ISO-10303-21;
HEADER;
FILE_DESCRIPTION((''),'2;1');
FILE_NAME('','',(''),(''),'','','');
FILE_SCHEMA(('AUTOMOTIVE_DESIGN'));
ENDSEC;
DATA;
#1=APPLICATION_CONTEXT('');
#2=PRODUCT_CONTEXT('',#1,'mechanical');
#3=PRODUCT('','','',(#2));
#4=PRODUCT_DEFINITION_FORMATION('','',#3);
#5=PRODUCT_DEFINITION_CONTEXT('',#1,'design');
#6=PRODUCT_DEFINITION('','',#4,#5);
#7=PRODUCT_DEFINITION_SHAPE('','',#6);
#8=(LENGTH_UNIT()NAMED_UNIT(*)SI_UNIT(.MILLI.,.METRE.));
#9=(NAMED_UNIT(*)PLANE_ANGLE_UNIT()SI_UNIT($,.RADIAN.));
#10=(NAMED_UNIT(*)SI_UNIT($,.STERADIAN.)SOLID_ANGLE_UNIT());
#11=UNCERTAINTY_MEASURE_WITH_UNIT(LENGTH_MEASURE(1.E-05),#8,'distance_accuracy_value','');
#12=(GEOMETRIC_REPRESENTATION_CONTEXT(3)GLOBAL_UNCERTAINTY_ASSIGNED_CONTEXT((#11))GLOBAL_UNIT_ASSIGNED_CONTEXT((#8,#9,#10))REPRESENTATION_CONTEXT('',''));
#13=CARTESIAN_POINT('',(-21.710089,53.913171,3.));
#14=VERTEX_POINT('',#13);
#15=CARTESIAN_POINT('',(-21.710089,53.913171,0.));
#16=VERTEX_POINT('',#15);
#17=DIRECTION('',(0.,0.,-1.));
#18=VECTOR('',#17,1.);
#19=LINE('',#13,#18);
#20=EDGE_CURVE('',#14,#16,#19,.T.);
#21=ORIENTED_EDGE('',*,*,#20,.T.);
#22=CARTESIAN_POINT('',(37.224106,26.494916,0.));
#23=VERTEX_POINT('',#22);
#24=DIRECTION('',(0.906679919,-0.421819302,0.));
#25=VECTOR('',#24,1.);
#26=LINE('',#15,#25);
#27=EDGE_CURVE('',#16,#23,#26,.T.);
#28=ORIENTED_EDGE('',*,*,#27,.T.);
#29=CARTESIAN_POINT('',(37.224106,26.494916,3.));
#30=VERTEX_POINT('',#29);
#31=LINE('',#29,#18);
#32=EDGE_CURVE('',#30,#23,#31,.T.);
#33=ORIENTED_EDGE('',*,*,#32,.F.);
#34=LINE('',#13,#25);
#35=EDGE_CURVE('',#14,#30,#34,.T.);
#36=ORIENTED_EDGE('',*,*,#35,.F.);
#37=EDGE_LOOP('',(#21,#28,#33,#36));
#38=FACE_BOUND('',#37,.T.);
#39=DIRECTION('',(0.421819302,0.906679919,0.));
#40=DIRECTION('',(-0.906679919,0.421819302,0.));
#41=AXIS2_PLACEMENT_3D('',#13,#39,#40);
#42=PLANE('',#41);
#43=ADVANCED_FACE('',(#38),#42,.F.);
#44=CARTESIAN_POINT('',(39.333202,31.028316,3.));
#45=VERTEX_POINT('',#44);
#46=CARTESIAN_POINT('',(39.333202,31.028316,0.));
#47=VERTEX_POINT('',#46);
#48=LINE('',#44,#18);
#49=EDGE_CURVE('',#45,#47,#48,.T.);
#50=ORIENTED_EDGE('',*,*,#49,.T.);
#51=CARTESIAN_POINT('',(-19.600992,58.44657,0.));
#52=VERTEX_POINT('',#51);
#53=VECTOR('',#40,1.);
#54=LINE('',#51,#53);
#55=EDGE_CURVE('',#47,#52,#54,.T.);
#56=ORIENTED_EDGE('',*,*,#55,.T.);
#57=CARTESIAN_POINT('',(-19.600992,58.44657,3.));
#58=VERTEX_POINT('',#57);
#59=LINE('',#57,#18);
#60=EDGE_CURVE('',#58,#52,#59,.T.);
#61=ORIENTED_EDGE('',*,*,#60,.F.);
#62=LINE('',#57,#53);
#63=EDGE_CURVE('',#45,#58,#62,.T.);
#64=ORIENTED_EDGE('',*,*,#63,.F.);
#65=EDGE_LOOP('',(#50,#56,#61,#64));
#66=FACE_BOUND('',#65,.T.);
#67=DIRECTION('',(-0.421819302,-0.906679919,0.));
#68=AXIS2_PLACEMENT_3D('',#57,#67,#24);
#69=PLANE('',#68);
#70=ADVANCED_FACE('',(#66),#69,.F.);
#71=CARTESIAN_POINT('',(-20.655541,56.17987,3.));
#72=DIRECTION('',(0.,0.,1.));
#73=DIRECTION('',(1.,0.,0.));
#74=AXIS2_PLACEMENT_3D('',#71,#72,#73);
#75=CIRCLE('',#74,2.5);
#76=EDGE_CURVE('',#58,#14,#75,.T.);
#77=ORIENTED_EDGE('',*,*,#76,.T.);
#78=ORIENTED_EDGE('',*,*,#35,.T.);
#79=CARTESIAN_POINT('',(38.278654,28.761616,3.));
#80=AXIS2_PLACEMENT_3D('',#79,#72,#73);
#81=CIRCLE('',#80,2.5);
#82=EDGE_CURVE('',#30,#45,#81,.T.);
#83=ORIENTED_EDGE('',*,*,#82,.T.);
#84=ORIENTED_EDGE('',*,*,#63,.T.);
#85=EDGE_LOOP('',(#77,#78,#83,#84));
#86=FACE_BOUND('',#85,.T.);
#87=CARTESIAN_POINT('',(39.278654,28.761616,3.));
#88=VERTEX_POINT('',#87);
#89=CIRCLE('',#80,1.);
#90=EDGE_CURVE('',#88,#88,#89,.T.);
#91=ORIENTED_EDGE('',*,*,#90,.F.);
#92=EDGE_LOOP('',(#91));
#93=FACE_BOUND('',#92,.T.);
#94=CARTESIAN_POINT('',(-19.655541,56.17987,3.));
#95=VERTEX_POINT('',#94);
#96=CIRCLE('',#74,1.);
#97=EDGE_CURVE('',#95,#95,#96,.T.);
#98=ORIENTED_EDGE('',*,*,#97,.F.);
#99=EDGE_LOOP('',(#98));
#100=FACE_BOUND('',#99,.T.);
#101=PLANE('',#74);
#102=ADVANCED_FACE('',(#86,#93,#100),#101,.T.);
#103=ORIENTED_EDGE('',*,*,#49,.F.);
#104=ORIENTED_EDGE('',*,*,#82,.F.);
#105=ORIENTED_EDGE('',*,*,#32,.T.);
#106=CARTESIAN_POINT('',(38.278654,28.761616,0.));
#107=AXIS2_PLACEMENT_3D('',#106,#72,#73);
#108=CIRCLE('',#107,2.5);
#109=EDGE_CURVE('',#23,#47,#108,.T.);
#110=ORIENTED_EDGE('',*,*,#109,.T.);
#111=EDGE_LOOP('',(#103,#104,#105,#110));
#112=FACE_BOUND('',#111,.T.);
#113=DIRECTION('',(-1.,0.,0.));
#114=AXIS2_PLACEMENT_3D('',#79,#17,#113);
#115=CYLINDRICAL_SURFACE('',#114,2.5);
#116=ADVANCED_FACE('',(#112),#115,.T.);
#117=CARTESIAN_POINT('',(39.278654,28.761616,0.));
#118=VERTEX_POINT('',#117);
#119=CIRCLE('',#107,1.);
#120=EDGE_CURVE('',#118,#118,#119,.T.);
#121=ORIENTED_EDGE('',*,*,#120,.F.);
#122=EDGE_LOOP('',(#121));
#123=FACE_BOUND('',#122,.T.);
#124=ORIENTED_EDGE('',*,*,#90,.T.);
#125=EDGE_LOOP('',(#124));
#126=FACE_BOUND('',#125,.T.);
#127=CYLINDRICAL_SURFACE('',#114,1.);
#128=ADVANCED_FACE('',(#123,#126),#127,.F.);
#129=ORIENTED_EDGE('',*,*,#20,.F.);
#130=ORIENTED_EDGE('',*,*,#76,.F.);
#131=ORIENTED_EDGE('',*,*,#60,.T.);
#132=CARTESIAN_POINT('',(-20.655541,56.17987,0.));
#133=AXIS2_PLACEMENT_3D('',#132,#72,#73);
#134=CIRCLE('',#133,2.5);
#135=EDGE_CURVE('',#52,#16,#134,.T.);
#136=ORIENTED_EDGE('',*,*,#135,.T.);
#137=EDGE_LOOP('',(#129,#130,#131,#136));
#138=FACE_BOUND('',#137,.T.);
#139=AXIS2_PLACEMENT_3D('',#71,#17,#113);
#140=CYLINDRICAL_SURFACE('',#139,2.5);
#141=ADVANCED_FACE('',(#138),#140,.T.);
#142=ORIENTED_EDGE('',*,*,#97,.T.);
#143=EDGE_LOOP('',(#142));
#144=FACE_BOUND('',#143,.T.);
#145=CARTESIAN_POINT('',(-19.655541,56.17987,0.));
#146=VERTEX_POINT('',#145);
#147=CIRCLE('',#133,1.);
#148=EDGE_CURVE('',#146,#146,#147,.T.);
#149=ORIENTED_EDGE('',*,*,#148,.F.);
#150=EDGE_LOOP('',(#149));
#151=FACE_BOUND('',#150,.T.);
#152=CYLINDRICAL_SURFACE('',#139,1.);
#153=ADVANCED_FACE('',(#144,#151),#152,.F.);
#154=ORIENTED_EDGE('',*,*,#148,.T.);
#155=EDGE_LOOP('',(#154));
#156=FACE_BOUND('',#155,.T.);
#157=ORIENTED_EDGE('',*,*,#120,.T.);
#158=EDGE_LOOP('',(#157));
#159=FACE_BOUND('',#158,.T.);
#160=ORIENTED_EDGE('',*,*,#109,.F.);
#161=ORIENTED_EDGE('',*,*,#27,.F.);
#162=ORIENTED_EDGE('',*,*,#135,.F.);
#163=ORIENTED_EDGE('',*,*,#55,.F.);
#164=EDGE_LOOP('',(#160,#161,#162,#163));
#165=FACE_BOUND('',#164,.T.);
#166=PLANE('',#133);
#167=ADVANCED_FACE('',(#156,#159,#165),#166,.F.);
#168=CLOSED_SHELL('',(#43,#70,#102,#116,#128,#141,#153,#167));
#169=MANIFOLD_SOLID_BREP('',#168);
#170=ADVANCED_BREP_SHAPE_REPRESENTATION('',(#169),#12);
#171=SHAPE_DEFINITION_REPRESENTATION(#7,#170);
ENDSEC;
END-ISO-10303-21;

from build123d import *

# Parameters (mm, degrees)
SKETCH1_R           = 1
BOSS_EXTRUDE1_DEPTH = 3


with BuildPart() as part:
    # Sketch1 → Boss-Extrude1 (new body)
    with BuildSketch(Plane.XY):
        with BuildLine():
            Line((-19.600992406, 58.446570176), (39.333202361, 31.028315542))
            ThreePointArc((39.333202361, 31.028315542), (40.545353904, 27.707067488), (37.22410585, 26.494915944))
            Line((37.22410585, 26.494915944), (-21.710088916, 53.913170579))
            ThreePointArc((-21.710088916, 53.913170579), (-22.92224046, 57.234418633), (-19.600992406, 58.446570176))
        make_face()
        with Locations((-20.655540661, 56.179870378)):
            Circle(SKETCH1_R, mode=Mode.SUBTRACT)
        with Locations((38.278654105, 28.761615743)):
            Circle(SKETCH1_R, mode=Mode.SUBTRACT)
    extrude(amount=BOSS_EXTRUDE1_DEPTH)


solid = part.part
